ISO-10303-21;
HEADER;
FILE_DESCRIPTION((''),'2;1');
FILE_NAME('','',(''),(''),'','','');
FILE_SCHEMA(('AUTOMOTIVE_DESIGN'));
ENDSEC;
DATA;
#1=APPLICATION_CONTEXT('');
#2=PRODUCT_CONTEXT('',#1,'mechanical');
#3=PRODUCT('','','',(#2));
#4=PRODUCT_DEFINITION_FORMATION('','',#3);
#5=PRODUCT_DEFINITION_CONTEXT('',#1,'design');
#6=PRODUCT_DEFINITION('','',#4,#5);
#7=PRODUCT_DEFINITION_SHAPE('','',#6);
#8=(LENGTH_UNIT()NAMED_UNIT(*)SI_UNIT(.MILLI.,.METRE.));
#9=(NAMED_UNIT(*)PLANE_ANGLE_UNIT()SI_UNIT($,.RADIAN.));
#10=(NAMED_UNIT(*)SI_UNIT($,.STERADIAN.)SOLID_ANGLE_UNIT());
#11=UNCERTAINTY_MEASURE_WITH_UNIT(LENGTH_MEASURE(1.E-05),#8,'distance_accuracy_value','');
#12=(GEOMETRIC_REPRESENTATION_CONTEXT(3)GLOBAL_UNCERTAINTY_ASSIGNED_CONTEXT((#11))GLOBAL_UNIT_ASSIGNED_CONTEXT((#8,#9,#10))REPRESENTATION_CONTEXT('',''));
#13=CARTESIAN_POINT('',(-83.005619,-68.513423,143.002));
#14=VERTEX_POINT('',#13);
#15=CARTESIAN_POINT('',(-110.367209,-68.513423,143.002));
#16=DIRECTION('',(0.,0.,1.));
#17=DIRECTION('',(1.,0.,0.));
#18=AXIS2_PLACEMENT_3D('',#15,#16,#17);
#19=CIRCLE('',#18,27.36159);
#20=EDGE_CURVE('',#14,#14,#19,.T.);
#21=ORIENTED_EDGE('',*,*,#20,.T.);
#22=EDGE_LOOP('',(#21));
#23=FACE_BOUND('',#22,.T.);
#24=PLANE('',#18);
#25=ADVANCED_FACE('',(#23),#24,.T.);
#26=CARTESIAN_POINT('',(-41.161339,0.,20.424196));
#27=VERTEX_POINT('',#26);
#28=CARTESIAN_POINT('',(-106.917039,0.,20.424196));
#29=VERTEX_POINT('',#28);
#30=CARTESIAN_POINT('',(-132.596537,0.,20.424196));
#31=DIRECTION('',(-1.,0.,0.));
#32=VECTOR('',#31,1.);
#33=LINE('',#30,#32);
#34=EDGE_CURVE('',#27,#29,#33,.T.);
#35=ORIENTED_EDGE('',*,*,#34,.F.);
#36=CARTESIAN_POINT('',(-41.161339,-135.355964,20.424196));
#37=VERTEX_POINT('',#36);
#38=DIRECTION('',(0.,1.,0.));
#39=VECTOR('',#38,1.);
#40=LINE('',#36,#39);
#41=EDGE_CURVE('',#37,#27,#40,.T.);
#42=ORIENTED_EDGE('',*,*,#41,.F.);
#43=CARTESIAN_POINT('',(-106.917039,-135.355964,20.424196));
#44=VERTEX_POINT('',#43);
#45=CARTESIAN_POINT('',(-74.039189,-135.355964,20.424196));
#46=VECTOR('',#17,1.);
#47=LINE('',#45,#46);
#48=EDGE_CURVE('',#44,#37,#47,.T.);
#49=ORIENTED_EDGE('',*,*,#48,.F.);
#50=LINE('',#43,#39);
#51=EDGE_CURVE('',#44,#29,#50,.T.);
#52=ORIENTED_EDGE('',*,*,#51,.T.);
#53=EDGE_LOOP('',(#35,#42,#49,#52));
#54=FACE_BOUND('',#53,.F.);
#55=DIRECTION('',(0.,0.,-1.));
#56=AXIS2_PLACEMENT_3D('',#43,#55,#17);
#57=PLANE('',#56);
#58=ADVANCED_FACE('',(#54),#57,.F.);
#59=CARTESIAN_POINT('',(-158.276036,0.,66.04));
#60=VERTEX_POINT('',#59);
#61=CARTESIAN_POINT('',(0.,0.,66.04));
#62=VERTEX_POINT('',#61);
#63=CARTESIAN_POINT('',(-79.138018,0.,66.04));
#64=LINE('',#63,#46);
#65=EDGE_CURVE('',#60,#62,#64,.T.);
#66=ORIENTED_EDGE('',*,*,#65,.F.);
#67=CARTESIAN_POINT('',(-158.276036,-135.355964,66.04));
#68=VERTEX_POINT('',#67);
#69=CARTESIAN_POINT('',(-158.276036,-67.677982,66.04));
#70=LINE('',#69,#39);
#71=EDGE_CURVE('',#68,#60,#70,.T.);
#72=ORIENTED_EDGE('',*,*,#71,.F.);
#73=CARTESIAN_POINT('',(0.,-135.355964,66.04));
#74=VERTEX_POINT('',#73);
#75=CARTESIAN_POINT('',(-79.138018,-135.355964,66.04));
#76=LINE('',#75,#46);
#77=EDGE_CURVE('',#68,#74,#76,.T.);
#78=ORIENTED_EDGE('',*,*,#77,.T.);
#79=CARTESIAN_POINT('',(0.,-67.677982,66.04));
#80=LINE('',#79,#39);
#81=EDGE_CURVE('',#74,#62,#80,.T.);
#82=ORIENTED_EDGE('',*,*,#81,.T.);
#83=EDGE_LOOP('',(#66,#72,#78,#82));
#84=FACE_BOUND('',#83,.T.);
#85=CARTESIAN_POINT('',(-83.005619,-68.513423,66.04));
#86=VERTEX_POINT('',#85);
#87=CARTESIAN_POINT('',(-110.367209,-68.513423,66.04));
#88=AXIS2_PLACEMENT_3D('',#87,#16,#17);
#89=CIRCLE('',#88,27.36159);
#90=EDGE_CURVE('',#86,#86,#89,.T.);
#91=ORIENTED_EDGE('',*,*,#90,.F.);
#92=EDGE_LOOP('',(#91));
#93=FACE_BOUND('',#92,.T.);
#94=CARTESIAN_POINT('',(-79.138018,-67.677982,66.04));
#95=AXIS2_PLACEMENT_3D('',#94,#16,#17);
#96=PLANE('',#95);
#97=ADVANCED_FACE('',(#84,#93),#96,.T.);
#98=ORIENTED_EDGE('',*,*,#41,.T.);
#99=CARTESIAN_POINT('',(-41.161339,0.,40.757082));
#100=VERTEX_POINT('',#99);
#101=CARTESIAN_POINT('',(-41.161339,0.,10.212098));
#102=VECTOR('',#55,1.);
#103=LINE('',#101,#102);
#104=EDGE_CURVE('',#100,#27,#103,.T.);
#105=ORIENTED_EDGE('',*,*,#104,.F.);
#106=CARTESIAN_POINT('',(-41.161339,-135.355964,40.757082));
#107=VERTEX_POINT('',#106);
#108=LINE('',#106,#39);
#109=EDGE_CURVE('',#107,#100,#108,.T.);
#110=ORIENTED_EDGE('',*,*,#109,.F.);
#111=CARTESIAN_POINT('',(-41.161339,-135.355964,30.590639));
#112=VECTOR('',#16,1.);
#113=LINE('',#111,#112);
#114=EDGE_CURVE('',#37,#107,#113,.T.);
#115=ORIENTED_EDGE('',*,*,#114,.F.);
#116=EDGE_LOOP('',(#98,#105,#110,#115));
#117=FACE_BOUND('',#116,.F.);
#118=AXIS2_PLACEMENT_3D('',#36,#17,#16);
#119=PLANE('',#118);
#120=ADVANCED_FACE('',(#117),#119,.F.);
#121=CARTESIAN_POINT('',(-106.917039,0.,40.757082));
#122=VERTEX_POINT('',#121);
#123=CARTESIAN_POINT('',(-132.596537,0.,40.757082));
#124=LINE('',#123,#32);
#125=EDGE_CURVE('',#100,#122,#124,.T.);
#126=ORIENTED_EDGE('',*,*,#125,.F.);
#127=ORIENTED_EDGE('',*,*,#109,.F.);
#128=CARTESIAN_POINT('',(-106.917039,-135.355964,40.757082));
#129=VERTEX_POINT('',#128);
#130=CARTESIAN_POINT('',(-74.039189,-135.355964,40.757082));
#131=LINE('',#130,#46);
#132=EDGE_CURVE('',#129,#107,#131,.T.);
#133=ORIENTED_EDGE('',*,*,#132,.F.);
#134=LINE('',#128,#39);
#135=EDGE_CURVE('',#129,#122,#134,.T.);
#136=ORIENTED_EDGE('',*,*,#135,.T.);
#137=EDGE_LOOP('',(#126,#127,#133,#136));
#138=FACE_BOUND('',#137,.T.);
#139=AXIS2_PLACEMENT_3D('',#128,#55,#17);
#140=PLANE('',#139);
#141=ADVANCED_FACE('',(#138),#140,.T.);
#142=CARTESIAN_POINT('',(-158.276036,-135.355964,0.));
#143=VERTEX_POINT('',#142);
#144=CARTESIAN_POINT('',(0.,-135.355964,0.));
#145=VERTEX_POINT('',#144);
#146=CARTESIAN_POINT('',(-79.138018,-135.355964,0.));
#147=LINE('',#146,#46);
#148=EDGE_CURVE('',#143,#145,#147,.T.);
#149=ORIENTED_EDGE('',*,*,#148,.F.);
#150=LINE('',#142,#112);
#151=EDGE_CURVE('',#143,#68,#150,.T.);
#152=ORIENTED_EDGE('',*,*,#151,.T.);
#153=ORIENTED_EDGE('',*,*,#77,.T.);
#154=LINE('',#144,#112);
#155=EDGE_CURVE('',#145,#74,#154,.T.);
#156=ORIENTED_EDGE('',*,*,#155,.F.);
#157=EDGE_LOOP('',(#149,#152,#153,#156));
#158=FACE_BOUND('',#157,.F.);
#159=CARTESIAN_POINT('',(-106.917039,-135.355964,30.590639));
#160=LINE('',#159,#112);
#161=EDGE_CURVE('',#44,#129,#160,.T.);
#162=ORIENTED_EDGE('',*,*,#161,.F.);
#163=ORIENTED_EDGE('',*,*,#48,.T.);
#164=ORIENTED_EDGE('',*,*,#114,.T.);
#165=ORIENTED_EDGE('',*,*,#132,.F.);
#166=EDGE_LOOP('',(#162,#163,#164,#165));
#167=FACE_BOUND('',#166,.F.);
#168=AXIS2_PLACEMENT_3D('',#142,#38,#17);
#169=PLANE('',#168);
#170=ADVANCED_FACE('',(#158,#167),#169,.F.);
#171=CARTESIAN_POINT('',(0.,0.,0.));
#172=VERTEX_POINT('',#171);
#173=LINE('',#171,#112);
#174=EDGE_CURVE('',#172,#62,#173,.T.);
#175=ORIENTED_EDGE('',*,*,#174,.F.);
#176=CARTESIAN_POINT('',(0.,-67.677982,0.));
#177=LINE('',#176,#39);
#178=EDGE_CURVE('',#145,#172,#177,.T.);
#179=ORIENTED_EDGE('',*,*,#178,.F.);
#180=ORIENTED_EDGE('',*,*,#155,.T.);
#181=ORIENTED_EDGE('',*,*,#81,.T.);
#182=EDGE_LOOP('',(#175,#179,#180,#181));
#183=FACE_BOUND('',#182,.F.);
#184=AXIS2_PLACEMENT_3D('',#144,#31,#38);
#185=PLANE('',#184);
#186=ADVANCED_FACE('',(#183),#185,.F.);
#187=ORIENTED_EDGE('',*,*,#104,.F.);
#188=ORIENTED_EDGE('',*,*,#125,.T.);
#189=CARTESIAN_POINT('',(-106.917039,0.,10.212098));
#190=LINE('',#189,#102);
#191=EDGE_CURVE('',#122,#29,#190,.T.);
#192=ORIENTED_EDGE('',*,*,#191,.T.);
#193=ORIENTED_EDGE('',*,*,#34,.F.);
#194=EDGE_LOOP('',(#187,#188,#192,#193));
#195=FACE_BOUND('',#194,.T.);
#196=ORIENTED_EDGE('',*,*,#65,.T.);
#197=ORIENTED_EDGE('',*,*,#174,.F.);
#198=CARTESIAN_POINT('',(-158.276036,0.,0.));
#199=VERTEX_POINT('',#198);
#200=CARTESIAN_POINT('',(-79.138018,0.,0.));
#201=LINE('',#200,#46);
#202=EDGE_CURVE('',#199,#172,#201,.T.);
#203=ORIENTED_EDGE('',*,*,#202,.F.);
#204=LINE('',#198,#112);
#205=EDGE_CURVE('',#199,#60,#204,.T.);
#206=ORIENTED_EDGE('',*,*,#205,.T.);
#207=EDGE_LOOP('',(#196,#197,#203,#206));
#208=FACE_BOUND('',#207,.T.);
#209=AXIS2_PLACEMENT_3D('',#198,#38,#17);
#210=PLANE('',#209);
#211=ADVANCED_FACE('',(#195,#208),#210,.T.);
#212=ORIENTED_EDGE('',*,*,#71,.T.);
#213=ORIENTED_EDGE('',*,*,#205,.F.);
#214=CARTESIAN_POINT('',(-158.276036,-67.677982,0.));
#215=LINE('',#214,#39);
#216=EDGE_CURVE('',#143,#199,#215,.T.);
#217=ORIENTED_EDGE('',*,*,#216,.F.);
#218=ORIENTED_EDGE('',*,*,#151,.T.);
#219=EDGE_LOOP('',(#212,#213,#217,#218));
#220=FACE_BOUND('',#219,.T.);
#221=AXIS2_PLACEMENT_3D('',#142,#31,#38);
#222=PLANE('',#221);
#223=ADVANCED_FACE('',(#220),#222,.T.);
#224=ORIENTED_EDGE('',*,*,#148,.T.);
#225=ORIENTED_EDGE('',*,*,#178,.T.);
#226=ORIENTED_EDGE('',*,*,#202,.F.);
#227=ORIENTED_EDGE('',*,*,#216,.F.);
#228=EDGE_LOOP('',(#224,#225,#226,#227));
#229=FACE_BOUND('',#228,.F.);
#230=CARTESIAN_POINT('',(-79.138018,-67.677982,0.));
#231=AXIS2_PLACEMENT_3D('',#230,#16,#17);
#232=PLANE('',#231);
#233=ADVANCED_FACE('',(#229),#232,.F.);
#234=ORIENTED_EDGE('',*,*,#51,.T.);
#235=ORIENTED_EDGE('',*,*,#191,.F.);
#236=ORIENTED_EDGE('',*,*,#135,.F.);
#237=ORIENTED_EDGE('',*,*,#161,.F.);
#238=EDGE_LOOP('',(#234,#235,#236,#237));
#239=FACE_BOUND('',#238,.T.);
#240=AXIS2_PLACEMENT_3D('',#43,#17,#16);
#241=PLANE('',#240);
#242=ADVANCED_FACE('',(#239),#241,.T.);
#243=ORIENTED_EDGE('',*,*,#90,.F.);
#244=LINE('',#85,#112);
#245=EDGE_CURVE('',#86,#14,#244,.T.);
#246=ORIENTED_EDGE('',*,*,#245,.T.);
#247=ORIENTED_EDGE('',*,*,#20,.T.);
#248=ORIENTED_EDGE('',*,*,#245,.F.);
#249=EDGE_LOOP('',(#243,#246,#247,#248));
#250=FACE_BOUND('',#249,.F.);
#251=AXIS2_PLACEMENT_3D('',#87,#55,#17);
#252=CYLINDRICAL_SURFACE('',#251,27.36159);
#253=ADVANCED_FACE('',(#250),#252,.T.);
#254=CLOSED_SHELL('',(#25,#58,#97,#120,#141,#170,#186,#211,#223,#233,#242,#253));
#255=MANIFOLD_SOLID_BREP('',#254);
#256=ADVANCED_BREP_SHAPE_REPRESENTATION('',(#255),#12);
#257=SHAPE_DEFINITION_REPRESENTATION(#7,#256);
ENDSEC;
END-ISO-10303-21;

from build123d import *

# Parameters (mm, degrees)
F0_W     = 158.276036
F0_H     = 135.355964
F1_DEPTH = 66.04
F2_R     = 27.36159
F3_DEPTH = 76.962
F4_W     = 65.755699
F4_H     = 20.332886
F5_DEPTH = 178.308


with BuildPart() as f1:
    # F0 (on Top) → F1 (new body)
    with BuildSketch(Plane.XY):
        with Locations((-79.138018, -67.677982)):
            Rectangle(F0_W, F0_H)
    extrude(amount=F1_DEPTH)

    # F2 (on face) → F3 (join)
    with BuildSketch(Plane.XY.offset(66.04)):
        with Locations((-110.367209, -68.513423)):
            Circle(F2_R)
    extrude(amount=F3_DEPTH)

    # F4 (on face) → F5 (cut)
    with BuildSketch(Plane.XZ.offset(135.355964)):
        with Locations((-74.039189, 30.590639)):
            Rectangle(F4_W, F4_H)
    extrude(amount=-F5_DEPTH, mode=Mode.SUBTRACT)


solid = f1.part
